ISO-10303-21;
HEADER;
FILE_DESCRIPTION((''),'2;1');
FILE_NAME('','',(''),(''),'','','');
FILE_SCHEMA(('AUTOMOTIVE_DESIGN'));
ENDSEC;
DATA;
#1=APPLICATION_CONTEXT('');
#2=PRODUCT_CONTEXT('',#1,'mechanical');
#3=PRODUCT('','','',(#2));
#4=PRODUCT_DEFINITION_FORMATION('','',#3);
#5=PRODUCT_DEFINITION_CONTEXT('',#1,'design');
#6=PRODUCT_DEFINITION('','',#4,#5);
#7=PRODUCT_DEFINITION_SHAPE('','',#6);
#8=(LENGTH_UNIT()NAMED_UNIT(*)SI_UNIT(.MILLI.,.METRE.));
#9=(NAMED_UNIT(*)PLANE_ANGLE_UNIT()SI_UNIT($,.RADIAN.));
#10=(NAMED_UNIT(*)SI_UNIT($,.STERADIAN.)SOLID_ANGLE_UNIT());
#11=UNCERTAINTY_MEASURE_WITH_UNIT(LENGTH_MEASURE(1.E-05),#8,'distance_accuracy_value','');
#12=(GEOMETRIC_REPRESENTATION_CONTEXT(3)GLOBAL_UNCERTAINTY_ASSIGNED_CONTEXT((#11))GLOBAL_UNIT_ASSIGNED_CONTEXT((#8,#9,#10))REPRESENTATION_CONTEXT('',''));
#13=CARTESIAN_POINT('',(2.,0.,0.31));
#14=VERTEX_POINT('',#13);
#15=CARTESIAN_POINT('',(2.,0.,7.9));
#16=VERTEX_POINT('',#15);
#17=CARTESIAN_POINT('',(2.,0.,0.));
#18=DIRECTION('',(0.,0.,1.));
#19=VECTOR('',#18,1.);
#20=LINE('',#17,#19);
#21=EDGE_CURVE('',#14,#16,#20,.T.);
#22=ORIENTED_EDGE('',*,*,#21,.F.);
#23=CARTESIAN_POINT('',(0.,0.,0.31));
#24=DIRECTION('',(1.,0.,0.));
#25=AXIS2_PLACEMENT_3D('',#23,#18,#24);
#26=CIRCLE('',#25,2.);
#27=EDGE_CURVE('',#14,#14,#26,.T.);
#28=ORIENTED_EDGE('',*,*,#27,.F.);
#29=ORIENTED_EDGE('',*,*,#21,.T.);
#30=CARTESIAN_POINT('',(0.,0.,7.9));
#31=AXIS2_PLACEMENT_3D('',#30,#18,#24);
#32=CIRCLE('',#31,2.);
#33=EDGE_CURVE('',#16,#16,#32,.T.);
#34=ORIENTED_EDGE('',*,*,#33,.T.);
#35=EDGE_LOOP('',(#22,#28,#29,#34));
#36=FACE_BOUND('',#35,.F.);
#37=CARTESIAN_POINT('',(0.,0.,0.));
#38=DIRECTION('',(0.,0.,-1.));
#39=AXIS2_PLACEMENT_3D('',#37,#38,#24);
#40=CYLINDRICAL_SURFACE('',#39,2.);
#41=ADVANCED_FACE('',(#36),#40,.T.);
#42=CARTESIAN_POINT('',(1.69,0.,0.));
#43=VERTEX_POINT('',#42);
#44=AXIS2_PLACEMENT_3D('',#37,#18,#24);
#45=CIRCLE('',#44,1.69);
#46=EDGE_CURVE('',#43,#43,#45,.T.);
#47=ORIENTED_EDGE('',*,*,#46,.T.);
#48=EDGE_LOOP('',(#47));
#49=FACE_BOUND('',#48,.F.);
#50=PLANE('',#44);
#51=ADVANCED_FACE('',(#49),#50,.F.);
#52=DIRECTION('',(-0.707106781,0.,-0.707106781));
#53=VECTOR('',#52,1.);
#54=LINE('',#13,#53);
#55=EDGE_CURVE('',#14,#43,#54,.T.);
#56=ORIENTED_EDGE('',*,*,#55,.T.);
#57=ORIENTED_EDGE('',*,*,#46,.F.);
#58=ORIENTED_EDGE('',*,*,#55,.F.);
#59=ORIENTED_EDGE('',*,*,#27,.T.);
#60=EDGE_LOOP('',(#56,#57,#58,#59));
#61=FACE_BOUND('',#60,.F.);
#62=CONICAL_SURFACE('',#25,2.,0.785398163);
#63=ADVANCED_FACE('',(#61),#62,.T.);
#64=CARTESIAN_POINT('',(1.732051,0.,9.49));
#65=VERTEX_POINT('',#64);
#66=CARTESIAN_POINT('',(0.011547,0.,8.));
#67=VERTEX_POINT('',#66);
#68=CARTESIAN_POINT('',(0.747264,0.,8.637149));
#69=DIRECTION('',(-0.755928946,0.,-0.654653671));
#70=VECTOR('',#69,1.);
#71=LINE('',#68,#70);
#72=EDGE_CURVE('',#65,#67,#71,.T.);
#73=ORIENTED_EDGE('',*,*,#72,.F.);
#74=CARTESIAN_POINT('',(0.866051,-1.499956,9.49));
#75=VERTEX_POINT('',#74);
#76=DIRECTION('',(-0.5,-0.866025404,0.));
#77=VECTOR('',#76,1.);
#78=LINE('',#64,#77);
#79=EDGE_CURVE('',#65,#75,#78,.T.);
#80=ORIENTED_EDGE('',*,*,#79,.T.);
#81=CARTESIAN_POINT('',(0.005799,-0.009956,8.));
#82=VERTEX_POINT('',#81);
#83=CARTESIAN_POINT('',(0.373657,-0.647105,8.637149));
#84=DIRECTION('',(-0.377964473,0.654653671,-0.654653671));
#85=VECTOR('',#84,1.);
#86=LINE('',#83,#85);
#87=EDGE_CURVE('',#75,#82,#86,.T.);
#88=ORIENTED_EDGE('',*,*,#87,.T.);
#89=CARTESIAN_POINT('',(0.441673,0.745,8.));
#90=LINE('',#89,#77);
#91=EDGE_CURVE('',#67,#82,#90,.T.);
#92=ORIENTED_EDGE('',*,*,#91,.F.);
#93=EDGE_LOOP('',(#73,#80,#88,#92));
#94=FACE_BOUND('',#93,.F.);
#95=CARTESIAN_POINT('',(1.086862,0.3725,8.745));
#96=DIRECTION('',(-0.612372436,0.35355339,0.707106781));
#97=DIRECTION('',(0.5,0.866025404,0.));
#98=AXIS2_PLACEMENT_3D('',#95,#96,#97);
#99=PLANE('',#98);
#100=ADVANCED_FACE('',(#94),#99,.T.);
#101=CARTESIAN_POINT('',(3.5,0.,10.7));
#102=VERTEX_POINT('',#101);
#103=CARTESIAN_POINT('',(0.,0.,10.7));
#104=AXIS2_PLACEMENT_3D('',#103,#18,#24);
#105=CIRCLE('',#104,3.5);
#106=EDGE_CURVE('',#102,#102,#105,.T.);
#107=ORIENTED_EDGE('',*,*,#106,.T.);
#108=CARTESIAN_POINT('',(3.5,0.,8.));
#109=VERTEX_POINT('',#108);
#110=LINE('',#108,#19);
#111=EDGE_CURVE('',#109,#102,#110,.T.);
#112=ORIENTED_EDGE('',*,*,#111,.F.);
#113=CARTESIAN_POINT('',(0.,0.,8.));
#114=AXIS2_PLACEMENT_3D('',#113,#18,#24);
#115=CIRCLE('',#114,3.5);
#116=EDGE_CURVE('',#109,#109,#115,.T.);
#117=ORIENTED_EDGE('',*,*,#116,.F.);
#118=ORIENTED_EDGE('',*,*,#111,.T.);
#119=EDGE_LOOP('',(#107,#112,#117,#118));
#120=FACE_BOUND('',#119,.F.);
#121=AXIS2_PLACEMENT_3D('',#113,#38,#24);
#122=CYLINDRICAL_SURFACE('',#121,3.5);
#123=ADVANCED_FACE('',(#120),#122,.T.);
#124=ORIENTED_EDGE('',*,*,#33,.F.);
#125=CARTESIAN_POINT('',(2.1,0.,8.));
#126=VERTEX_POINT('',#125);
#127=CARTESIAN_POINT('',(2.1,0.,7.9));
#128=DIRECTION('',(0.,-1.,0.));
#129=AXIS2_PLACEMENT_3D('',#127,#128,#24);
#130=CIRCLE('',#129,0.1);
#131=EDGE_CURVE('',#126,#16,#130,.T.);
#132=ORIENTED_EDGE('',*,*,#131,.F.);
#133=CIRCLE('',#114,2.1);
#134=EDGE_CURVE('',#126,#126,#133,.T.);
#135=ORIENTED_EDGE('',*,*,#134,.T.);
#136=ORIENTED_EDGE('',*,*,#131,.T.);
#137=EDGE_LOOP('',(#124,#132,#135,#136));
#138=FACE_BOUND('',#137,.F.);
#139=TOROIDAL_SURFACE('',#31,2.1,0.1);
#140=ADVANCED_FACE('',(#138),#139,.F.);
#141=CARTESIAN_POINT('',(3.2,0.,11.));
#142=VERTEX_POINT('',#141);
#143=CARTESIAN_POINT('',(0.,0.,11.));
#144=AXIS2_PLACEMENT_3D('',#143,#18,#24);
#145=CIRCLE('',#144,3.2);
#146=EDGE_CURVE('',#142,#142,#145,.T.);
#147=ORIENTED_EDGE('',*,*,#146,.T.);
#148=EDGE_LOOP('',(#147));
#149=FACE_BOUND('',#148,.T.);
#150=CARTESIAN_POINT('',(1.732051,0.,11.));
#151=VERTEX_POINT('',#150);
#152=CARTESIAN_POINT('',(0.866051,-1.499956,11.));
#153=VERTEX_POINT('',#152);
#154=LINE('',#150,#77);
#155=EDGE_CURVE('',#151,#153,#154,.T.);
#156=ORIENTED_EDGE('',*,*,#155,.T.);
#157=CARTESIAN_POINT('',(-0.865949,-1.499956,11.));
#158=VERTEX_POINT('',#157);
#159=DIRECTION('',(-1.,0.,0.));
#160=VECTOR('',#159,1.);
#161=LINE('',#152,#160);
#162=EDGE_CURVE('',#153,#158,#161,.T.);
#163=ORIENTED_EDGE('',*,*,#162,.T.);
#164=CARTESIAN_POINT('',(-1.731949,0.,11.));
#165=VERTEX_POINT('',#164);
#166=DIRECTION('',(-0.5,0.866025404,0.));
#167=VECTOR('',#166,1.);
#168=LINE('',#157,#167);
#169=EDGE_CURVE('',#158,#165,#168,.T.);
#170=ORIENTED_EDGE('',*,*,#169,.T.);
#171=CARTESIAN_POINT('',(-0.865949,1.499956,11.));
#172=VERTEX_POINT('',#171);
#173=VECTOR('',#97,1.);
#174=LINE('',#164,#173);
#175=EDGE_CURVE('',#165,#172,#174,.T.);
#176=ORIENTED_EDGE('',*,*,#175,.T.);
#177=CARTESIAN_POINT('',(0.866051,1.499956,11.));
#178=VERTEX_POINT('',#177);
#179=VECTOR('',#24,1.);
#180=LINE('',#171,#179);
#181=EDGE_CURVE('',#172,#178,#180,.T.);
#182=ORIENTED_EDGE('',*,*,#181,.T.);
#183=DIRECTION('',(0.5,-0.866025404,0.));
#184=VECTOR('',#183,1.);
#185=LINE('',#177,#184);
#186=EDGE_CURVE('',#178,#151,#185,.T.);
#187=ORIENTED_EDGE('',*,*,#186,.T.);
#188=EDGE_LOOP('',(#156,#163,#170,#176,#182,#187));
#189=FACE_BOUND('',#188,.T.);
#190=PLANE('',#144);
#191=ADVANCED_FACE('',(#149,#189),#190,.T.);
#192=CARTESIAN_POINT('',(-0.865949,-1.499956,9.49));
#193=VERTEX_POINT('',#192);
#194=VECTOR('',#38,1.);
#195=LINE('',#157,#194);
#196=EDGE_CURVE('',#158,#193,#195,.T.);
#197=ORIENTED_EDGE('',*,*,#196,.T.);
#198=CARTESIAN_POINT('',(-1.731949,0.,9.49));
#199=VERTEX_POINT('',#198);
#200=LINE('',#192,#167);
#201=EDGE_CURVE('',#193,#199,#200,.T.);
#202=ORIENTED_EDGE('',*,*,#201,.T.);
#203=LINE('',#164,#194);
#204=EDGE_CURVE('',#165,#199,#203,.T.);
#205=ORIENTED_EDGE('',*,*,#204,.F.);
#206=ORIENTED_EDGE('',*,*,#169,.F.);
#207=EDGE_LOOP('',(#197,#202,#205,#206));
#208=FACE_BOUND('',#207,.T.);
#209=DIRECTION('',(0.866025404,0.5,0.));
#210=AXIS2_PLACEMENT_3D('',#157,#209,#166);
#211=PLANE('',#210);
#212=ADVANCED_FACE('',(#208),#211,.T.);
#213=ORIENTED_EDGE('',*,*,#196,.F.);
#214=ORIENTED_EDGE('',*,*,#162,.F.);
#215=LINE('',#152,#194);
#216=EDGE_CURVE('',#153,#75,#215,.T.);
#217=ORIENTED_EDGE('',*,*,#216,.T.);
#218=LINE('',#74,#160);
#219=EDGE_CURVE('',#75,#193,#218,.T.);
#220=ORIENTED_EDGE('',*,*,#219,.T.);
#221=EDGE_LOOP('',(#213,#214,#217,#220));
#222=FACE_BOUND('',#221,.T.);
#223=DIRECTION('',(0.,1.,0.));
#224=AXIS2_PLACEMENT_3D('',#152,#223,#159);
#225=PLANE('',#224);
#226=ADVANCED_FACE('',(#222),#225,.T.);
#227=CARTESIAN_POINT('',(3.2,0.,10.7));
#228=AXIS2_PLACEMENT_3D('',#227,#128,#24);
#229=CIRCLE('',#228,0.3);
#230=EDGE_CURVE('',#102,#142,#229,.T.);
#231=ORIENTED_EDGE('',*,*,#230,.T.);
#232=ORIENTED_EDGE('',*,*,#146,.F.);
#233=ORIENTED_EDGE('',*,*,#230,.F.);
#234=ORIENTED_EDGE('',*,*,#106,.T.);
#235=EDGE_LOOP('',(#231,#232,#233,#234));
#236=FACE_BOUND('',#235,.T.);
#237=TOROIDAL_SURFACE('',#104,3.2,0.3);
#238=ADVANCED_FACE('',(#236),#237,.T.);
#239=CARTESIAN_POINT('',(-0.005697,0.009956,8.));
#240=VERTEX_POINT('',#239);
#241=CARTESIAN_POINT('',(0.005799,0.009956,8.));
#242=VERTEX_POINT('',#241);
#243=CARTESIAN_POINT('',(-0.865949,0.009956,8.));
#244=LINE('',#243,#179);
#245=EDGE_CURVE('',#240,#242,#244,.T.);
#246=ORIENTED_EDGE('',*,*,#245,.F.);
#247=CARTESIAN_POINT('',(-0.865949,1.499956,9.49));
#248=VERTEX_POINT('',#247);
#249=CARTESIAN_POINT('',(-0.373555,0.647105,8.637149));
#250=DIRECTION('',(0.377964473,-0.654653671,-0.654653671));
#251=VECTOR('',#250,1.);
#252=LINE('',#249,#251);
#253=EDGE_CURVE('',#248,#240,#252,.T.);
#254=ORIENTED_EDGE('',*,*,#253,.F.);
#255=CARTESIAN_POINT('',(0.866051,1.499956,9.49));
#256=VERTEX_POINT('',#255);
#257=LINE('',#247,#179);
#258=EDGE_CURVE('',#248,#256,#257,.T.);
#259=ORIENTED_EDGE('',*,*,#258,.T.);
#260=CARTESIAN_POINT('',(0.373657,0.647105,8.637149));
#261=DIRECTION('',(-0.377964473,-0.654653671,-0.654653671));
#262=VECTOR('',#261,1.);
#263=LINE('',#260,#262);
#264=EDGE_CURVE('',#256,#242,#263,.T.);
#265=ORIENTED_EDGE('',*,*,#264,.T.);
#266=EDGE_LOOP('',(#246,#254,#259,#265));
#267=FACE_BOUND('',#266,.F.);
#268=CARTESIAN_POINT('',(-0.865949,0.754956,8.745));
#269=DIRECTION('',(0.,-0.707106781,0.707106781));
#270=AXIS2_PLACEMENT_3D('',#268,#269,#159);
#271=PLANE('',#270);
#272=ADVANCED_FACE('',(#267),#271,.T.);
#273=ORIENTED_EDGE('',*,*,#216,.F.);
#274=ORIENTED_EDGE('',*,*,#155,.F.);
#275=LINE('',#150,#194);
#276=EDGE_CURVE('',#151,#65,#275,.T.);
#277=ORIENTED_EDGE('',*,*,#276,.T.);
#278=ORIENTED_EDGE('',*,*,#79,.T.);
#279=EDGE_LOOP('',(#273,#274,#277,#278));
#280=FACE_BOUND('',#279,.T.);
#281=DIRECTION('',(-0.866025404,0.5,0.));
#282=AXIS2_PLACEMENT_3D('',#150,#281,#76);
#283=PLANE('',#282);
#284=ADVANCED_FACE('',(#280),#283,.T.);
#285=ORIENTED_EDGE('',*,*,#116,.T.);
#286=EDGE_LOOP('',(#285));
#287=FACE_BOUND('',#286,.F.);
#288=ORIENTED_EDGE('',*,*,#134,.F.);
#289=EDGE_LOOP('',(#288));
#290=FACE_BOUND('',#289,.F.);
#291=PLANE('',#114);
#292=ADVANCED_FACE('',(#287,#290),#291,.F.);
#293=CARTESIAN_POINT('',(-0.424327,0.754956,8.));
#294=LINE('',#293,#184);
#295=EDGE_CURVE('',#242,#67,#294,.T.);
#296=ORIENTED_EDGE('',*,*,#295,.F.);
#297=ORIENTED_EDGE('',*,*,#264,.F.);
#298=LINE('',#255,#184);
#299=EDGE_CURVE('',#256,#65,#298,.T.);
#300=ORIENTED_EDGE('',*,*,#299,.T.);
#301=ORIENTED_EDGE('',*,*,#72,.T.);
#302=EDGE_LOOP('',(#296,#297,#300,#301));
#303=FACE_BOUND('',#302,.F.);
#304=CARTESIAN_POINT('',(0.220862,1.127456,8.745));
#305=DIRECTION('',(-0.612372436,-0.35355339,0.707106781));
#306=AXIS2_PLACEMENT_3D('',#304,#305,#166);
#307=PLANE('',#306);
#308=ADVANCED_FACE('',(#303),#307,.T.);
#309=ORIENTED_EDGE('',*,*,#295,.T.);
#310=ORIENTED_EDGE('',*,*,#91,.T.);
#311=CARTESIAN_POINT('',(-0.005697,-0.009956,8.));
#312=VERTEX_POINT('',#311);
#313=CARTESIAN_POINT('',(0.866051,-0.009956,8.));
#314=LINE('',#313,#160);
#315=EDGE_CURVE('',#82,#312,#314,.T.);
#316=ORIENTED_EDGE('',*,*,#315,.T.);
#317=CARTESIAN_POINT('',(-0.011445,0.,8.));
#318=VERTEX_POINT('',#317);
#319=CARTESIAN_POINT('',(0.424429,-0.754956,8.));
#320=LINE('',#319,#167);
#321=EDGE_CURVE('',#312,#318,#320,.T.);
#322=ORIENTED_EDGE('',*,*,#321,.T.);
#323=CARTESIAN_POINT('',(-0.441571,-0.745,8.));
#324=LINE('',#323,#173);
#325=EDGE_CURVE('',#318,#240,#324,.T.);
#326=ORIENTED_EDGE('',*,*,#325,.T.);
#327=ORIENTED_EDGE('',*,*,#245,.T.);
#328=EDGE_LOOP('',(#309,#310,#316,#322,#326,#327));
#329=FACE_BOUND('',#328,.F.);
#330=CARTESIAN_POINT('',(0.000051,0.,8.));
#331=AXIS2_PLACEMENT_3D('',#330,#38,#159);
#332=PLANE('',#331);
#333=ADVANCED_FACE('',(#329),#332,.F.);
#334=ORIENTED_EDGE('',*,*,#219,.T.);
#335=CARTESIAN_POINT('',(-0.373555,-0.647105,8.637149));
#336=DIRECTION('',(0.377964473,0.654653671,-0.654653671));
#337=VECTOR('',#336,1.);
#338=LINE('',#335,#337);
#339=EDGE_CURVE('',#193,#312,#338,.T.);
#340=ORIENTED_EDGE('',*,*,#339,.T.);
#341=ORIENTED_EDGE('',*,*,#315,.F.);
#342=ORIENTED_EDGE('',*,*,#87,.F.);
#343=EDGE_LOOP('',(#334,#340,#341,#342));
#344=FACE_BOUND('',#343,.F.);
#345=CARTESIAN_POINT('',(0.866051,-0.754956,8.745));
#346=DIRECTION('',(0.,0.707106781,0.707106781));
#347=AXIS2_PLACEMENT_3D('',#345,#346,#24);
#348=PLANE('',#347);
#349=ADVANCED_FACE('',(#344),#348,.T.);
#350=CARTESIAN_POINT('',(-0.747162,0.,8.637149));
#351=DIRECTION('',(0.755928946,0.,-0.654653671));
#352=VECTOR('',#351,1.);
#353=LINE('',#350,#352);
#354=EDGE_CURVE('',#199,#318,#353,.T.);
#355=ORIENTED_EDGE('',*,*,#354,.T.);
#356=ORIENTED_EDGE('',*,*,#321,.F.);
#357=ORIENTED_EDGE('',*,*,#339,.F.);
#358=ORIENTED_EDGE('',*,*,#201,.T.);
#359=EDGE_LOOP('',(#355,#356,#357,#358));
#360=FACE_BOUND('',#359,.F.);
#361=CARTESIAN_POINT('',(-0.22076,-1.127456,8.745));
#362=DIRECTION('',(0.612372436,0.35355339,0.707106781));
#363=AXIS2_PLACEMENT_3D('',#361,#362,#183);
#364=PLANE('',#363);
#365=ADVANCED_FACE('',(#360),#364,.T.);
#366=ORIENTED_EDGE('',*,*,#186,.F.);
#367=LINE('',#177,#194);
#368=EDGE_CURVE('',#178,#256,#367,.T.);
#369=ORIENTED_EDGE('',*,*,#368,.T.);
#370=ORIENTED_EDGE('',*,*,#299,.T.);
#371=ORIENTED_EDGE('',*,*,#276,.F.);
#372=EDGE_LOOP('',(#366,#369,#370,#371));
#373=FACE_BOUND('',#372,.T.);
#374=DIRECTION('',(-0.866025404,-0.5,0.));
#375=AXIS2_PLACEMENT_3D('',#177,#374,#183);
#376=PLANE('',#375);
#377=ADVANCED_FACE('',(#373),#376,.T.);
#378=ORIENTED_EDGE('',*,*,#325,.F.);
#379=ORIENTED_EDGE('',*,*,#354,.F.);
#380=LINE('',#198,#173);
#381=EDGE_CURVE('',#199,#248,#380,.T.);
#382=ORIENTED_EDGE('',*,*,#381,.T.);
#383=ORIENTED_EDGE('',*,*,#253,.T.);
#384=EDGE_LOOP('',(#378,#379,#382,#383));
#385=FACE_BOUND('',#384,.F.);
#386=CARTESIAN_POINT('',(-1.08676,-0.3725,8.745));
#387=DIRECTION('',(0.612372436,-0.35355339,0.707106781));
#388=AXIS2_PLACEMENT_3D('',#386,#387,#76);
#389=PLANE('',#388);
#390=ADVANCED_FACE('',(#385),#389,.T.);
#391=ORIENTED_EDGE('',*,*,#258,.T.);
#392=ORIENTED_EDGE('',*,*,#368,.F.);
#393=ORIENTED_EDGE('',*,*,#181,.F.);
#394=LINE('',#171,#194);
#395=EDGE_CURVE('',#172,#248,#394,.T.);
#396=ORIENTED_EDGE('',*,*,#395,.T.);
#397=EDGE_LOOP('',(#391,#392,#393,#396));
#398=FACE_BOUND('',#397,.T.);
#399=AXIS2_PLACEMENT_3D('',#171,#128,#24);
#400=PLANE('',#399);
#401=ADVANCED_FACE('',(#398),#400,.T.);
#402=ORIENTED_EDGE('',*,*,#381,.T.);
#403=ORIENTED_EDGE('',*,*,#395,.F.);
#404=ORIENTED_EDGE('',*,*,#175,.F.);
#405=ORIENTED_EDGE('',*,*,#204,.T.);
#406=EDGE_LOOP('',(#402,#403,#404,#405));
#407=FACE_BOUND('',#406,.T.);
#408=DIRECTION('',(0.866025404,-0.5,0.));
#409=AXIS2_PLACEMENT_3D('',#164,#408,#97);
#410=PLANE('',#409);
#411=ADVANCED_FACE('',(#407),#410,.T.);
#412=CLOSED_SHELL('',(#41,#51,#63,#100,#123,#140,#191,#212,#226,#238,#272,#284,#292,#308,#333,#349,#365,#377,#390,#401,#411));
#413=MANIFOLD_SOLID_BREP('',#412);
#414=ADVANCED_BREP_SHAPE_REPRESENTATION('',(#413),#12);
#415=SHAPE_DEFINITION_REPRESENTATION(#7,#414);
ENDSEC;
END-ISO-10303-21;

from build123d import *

# Parameters (mm, degrees)
SKETCH_R        = 2
PAD_DEPTH       = 8
SKETCH001_R     = 3.5
PAD001_DEPTH    = 3
FILLET_R        = 0.1
FILLET001_R     = 0.3
CHAMFER_SIZE    = 0.31
POCKET_DEPTH    = 3
CHAMFER001_SIZE = 1.49


with BuildPart() as part:
    # Sketch → Pad (new body)
    with BuildSketch(Plane.XY):
        Circle(SKETCH_R)
    extrude(amount=PAD_DEPTH)

    # Sketch001 → Pad001 (new body)
    with BuildSketch(Plane.XY.offset(8)):
        Circle(SKETCH001_R)
    extrude(amount=PAD001_DEPTH)

    # Fillet
    fillet_edges = [part.edges().sort_by_distance(p)[0] for p in [
        (-2, 0, 8),
    ]]
    fillet(fillet_edges, radius=FILLET_R)

    # Fillet001
    fillet001_edges = [part.edges().sort_by_distance(p)[0] for p in [
        (-3.5, 0, 11),
    ]]
    fillet(fillet001_edges, radius=FILLET001_R)

    # Chamfer
    chamfer_edges = [part.edges().sort_by_distance(p)[0] for p in [
        (-2, 0, 0),
    ]]
    chamfer(chamfer_edges, length=CHAMFER_SIZE)

    # Sketch002 → Pocket (cut)
    with BuildSketch(Plane.XY.offset(11)):
        Polygon((-0.865949, 1.499956), (0.866051, 1.499956), (1.732051, 0), (0.866051, -1.499956), (-0.865949, -1.499956), (-1.731949, 0), align=None)
    extrude(amount=-POCKET_DEPTH, mode=Mode.SUBTRACT)

    # Chamfer001
    chamfer001_edges = [part.edges().sort_by_distance(p)[0] for p in [
        (1.299051, -0.749978, 8),
        (5.1e-05, -1.499956, 8),
        (-1.298949, -0.749978, 8),
        (-1.298949, 0.749978, 8),
        (5.1e-05, 1.499956, 8),
        (1.299051, 0.749978, 8),
    ]]
    chamfer(chamfer001_edges, length=CHAMFER001_SIZE)


solid = part.part
